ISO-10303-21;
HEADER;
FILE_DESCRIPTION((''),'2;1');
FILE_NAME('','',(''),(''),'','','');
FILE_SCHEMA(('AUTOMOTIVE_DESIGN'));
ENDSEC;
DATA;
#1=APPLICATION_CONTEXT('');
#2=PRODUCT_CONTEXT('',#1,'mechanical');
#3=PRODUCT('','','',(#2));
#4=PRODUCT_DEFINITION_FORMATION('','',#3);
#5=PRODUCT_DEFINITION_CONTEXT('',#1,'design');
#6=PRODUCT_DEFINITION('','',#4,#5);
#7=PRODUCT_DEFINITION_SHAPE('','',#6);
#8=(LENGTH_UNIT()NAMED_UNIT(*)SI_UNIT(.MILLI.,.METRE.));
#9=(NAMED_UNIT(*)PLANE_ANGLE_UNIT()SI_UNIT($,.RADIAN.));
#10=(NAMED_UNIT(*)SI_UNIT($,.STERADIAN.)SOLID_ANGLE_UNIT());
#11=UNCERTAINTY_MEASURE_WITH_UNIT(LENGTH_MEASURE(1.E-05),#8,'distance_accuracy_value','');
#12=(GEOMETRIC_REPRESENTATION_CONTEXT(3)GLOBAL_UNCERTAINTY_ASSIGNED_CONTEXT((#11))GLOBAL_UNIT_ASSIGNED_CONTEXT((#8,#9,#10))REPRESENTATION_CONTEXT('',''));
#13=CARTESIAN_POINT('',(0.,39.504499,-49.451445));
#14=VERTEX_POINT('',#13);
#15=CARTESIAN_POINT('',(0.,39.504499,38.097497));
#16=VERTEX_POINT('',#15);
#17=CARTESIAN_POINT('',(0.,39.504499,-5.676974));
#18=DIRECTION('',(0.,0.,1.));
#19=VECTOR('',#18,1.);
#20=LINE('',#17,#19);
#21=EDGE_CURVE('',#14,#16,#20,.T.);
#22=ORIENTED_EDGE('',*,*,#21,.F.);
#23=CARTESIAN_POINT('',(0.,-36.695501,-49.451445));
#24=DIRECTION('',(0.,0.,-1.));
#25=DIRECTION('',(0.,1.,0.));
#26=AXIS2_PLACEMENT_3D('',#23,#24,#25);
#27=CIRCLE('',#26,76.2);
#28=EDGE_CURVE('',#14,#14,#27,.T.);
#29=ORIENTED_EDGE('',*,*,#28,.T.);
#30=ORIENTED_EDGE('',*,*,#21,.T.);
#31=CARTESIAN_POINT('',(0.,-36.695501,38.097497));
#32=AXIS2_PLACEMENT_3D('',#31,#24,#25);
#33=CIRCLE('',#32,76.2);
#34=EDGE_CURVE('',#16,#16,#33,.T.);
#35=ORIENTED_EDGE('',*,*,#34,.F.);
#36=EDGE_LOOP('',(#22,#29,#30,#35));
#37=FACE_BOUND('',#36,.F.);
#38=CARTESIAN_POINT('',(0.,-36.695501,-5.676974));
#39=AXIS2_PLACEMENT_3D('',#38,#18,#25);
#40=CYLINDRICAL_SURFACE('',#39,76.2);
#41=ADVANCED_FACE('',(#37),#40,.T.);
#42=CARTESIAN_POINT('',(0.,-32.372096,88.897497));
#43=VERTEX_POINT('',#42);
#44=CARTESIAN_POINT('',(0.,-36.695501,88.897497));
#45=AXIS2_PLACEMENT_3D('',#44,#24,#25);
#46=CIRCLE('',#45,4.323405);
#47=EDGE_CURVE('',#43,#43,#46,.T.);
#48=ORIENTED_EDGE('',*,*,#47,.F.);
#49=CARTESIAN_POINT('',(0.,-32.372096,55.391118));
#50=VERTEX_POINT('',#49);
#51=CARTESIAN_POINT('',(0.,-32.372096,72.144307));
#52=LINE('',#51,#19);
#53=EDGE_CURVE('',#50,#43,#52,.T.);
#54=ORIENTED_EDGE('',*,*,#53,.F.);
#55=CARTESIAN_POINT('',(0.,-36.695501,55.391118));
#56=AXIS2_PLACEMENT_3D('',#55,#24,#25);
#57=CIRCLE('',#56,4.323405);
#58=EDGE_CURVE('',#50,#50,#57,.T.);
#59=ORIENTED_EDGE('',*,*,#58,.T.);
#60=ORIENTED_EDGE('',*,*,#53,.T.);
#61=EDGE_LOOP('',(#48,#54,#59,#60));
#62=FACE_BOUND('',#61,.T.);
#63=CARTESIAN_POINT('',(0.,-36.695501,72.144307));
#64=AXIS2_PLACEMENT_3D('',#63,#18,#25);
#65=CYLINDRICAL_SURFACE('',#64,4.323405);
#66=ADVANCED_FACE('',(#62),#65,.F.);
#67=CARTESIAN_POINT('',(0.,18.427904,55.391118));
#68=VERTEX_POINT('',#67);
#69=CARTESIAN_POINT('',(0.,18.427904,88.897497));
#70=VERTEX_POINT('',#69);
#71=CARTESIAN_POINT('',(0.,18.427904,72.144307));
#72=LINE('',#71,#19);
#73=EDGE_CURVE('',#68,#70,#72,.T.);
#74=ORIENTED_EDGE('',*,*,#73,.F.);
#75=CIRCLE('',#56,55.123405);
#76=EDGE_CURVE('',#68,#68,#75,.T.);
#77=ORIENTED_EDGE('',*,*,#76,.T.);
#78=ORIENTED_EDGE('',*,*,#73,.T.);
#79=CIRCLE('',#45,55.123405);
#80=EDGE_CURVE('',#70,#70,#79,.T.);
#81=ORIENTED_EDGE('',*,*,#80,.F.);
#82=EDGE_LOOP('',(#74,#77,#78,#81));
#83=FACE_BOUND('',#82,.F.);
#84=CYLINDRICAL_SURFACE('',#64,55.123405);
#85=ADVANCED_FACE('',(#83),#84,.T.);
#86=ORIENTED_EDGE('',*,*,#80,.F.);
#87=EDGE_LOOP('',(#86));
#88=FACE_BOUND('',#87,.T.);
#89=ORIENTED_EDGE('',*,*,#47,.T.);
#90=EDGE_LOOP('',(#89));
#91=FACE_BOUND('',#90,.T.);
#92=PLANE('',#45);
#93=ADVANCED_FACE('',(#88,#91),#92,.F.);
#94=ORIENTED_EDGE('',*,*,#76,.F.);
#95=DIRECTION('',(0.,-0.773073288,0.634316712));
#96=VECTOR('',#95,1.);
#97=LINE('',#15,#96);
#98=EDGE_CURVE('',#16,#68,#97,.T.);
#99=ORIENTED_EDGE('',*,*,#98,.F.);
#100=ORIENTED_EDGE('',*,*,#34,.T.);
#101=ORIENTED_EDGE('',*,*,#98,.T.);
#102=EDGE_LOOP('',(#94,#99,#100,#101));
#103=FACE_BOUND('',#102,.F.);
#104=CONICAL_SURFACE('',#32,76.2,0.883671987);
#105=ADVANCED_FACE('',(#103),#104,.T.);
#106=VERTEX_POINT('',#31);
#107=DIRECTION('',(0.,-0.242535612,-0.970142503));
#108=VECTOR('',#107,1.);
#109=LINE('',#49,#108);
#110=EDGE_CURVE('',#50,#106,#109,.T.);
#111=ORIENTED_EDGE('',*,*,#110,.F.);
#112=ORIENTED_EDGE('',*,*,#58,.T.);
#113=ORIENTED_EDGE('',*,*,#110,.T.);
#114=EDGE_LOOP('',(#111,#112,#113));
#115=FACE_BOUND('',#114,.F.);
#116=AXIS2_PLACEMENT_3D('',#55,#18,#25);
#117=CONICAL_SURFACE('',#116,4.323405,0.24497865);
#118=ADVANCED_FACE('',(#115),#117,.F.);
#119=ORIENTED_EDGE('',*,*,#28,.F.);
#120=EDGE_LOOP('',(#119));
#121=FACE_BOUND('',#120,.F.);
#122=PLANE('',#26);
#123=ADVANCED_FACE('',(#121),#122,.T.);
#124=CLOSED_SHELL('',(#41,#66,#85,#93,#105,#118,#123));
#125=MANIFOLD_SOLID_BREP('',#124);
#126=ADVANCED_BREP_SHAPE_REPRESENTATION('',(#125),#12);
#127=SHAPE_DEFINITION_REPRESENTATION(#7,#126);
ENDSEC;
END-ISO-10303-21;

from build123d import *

# Parameters (mm, degrees)
F0_W   = 50.8
F0_H   = 33.506379
F0_W_2 = 76.2
F0_H_2 = 87.548942


with BuildPart() as f1:
    # F0 (on Right) → F1 (revolve)
    with BuildSketch(Plane.YZ):
        with Locations((-6.972096, 72.144307)):
            Rectangle(F0_W, F0_H)
        with Locations((1.404499, -5.676974)):
            Rectangle(F0_W_2, F0_H_2)
        Polygon((-32.372096, 55.391118), (-36.695501, 38.097497), (39.504499, 38.097497), (18.427904, 55.391118), align=None)
    revolve(axis=Axis((0, -36.695501, -5.676974), (0, 0, -1)))


solid = f1.part
